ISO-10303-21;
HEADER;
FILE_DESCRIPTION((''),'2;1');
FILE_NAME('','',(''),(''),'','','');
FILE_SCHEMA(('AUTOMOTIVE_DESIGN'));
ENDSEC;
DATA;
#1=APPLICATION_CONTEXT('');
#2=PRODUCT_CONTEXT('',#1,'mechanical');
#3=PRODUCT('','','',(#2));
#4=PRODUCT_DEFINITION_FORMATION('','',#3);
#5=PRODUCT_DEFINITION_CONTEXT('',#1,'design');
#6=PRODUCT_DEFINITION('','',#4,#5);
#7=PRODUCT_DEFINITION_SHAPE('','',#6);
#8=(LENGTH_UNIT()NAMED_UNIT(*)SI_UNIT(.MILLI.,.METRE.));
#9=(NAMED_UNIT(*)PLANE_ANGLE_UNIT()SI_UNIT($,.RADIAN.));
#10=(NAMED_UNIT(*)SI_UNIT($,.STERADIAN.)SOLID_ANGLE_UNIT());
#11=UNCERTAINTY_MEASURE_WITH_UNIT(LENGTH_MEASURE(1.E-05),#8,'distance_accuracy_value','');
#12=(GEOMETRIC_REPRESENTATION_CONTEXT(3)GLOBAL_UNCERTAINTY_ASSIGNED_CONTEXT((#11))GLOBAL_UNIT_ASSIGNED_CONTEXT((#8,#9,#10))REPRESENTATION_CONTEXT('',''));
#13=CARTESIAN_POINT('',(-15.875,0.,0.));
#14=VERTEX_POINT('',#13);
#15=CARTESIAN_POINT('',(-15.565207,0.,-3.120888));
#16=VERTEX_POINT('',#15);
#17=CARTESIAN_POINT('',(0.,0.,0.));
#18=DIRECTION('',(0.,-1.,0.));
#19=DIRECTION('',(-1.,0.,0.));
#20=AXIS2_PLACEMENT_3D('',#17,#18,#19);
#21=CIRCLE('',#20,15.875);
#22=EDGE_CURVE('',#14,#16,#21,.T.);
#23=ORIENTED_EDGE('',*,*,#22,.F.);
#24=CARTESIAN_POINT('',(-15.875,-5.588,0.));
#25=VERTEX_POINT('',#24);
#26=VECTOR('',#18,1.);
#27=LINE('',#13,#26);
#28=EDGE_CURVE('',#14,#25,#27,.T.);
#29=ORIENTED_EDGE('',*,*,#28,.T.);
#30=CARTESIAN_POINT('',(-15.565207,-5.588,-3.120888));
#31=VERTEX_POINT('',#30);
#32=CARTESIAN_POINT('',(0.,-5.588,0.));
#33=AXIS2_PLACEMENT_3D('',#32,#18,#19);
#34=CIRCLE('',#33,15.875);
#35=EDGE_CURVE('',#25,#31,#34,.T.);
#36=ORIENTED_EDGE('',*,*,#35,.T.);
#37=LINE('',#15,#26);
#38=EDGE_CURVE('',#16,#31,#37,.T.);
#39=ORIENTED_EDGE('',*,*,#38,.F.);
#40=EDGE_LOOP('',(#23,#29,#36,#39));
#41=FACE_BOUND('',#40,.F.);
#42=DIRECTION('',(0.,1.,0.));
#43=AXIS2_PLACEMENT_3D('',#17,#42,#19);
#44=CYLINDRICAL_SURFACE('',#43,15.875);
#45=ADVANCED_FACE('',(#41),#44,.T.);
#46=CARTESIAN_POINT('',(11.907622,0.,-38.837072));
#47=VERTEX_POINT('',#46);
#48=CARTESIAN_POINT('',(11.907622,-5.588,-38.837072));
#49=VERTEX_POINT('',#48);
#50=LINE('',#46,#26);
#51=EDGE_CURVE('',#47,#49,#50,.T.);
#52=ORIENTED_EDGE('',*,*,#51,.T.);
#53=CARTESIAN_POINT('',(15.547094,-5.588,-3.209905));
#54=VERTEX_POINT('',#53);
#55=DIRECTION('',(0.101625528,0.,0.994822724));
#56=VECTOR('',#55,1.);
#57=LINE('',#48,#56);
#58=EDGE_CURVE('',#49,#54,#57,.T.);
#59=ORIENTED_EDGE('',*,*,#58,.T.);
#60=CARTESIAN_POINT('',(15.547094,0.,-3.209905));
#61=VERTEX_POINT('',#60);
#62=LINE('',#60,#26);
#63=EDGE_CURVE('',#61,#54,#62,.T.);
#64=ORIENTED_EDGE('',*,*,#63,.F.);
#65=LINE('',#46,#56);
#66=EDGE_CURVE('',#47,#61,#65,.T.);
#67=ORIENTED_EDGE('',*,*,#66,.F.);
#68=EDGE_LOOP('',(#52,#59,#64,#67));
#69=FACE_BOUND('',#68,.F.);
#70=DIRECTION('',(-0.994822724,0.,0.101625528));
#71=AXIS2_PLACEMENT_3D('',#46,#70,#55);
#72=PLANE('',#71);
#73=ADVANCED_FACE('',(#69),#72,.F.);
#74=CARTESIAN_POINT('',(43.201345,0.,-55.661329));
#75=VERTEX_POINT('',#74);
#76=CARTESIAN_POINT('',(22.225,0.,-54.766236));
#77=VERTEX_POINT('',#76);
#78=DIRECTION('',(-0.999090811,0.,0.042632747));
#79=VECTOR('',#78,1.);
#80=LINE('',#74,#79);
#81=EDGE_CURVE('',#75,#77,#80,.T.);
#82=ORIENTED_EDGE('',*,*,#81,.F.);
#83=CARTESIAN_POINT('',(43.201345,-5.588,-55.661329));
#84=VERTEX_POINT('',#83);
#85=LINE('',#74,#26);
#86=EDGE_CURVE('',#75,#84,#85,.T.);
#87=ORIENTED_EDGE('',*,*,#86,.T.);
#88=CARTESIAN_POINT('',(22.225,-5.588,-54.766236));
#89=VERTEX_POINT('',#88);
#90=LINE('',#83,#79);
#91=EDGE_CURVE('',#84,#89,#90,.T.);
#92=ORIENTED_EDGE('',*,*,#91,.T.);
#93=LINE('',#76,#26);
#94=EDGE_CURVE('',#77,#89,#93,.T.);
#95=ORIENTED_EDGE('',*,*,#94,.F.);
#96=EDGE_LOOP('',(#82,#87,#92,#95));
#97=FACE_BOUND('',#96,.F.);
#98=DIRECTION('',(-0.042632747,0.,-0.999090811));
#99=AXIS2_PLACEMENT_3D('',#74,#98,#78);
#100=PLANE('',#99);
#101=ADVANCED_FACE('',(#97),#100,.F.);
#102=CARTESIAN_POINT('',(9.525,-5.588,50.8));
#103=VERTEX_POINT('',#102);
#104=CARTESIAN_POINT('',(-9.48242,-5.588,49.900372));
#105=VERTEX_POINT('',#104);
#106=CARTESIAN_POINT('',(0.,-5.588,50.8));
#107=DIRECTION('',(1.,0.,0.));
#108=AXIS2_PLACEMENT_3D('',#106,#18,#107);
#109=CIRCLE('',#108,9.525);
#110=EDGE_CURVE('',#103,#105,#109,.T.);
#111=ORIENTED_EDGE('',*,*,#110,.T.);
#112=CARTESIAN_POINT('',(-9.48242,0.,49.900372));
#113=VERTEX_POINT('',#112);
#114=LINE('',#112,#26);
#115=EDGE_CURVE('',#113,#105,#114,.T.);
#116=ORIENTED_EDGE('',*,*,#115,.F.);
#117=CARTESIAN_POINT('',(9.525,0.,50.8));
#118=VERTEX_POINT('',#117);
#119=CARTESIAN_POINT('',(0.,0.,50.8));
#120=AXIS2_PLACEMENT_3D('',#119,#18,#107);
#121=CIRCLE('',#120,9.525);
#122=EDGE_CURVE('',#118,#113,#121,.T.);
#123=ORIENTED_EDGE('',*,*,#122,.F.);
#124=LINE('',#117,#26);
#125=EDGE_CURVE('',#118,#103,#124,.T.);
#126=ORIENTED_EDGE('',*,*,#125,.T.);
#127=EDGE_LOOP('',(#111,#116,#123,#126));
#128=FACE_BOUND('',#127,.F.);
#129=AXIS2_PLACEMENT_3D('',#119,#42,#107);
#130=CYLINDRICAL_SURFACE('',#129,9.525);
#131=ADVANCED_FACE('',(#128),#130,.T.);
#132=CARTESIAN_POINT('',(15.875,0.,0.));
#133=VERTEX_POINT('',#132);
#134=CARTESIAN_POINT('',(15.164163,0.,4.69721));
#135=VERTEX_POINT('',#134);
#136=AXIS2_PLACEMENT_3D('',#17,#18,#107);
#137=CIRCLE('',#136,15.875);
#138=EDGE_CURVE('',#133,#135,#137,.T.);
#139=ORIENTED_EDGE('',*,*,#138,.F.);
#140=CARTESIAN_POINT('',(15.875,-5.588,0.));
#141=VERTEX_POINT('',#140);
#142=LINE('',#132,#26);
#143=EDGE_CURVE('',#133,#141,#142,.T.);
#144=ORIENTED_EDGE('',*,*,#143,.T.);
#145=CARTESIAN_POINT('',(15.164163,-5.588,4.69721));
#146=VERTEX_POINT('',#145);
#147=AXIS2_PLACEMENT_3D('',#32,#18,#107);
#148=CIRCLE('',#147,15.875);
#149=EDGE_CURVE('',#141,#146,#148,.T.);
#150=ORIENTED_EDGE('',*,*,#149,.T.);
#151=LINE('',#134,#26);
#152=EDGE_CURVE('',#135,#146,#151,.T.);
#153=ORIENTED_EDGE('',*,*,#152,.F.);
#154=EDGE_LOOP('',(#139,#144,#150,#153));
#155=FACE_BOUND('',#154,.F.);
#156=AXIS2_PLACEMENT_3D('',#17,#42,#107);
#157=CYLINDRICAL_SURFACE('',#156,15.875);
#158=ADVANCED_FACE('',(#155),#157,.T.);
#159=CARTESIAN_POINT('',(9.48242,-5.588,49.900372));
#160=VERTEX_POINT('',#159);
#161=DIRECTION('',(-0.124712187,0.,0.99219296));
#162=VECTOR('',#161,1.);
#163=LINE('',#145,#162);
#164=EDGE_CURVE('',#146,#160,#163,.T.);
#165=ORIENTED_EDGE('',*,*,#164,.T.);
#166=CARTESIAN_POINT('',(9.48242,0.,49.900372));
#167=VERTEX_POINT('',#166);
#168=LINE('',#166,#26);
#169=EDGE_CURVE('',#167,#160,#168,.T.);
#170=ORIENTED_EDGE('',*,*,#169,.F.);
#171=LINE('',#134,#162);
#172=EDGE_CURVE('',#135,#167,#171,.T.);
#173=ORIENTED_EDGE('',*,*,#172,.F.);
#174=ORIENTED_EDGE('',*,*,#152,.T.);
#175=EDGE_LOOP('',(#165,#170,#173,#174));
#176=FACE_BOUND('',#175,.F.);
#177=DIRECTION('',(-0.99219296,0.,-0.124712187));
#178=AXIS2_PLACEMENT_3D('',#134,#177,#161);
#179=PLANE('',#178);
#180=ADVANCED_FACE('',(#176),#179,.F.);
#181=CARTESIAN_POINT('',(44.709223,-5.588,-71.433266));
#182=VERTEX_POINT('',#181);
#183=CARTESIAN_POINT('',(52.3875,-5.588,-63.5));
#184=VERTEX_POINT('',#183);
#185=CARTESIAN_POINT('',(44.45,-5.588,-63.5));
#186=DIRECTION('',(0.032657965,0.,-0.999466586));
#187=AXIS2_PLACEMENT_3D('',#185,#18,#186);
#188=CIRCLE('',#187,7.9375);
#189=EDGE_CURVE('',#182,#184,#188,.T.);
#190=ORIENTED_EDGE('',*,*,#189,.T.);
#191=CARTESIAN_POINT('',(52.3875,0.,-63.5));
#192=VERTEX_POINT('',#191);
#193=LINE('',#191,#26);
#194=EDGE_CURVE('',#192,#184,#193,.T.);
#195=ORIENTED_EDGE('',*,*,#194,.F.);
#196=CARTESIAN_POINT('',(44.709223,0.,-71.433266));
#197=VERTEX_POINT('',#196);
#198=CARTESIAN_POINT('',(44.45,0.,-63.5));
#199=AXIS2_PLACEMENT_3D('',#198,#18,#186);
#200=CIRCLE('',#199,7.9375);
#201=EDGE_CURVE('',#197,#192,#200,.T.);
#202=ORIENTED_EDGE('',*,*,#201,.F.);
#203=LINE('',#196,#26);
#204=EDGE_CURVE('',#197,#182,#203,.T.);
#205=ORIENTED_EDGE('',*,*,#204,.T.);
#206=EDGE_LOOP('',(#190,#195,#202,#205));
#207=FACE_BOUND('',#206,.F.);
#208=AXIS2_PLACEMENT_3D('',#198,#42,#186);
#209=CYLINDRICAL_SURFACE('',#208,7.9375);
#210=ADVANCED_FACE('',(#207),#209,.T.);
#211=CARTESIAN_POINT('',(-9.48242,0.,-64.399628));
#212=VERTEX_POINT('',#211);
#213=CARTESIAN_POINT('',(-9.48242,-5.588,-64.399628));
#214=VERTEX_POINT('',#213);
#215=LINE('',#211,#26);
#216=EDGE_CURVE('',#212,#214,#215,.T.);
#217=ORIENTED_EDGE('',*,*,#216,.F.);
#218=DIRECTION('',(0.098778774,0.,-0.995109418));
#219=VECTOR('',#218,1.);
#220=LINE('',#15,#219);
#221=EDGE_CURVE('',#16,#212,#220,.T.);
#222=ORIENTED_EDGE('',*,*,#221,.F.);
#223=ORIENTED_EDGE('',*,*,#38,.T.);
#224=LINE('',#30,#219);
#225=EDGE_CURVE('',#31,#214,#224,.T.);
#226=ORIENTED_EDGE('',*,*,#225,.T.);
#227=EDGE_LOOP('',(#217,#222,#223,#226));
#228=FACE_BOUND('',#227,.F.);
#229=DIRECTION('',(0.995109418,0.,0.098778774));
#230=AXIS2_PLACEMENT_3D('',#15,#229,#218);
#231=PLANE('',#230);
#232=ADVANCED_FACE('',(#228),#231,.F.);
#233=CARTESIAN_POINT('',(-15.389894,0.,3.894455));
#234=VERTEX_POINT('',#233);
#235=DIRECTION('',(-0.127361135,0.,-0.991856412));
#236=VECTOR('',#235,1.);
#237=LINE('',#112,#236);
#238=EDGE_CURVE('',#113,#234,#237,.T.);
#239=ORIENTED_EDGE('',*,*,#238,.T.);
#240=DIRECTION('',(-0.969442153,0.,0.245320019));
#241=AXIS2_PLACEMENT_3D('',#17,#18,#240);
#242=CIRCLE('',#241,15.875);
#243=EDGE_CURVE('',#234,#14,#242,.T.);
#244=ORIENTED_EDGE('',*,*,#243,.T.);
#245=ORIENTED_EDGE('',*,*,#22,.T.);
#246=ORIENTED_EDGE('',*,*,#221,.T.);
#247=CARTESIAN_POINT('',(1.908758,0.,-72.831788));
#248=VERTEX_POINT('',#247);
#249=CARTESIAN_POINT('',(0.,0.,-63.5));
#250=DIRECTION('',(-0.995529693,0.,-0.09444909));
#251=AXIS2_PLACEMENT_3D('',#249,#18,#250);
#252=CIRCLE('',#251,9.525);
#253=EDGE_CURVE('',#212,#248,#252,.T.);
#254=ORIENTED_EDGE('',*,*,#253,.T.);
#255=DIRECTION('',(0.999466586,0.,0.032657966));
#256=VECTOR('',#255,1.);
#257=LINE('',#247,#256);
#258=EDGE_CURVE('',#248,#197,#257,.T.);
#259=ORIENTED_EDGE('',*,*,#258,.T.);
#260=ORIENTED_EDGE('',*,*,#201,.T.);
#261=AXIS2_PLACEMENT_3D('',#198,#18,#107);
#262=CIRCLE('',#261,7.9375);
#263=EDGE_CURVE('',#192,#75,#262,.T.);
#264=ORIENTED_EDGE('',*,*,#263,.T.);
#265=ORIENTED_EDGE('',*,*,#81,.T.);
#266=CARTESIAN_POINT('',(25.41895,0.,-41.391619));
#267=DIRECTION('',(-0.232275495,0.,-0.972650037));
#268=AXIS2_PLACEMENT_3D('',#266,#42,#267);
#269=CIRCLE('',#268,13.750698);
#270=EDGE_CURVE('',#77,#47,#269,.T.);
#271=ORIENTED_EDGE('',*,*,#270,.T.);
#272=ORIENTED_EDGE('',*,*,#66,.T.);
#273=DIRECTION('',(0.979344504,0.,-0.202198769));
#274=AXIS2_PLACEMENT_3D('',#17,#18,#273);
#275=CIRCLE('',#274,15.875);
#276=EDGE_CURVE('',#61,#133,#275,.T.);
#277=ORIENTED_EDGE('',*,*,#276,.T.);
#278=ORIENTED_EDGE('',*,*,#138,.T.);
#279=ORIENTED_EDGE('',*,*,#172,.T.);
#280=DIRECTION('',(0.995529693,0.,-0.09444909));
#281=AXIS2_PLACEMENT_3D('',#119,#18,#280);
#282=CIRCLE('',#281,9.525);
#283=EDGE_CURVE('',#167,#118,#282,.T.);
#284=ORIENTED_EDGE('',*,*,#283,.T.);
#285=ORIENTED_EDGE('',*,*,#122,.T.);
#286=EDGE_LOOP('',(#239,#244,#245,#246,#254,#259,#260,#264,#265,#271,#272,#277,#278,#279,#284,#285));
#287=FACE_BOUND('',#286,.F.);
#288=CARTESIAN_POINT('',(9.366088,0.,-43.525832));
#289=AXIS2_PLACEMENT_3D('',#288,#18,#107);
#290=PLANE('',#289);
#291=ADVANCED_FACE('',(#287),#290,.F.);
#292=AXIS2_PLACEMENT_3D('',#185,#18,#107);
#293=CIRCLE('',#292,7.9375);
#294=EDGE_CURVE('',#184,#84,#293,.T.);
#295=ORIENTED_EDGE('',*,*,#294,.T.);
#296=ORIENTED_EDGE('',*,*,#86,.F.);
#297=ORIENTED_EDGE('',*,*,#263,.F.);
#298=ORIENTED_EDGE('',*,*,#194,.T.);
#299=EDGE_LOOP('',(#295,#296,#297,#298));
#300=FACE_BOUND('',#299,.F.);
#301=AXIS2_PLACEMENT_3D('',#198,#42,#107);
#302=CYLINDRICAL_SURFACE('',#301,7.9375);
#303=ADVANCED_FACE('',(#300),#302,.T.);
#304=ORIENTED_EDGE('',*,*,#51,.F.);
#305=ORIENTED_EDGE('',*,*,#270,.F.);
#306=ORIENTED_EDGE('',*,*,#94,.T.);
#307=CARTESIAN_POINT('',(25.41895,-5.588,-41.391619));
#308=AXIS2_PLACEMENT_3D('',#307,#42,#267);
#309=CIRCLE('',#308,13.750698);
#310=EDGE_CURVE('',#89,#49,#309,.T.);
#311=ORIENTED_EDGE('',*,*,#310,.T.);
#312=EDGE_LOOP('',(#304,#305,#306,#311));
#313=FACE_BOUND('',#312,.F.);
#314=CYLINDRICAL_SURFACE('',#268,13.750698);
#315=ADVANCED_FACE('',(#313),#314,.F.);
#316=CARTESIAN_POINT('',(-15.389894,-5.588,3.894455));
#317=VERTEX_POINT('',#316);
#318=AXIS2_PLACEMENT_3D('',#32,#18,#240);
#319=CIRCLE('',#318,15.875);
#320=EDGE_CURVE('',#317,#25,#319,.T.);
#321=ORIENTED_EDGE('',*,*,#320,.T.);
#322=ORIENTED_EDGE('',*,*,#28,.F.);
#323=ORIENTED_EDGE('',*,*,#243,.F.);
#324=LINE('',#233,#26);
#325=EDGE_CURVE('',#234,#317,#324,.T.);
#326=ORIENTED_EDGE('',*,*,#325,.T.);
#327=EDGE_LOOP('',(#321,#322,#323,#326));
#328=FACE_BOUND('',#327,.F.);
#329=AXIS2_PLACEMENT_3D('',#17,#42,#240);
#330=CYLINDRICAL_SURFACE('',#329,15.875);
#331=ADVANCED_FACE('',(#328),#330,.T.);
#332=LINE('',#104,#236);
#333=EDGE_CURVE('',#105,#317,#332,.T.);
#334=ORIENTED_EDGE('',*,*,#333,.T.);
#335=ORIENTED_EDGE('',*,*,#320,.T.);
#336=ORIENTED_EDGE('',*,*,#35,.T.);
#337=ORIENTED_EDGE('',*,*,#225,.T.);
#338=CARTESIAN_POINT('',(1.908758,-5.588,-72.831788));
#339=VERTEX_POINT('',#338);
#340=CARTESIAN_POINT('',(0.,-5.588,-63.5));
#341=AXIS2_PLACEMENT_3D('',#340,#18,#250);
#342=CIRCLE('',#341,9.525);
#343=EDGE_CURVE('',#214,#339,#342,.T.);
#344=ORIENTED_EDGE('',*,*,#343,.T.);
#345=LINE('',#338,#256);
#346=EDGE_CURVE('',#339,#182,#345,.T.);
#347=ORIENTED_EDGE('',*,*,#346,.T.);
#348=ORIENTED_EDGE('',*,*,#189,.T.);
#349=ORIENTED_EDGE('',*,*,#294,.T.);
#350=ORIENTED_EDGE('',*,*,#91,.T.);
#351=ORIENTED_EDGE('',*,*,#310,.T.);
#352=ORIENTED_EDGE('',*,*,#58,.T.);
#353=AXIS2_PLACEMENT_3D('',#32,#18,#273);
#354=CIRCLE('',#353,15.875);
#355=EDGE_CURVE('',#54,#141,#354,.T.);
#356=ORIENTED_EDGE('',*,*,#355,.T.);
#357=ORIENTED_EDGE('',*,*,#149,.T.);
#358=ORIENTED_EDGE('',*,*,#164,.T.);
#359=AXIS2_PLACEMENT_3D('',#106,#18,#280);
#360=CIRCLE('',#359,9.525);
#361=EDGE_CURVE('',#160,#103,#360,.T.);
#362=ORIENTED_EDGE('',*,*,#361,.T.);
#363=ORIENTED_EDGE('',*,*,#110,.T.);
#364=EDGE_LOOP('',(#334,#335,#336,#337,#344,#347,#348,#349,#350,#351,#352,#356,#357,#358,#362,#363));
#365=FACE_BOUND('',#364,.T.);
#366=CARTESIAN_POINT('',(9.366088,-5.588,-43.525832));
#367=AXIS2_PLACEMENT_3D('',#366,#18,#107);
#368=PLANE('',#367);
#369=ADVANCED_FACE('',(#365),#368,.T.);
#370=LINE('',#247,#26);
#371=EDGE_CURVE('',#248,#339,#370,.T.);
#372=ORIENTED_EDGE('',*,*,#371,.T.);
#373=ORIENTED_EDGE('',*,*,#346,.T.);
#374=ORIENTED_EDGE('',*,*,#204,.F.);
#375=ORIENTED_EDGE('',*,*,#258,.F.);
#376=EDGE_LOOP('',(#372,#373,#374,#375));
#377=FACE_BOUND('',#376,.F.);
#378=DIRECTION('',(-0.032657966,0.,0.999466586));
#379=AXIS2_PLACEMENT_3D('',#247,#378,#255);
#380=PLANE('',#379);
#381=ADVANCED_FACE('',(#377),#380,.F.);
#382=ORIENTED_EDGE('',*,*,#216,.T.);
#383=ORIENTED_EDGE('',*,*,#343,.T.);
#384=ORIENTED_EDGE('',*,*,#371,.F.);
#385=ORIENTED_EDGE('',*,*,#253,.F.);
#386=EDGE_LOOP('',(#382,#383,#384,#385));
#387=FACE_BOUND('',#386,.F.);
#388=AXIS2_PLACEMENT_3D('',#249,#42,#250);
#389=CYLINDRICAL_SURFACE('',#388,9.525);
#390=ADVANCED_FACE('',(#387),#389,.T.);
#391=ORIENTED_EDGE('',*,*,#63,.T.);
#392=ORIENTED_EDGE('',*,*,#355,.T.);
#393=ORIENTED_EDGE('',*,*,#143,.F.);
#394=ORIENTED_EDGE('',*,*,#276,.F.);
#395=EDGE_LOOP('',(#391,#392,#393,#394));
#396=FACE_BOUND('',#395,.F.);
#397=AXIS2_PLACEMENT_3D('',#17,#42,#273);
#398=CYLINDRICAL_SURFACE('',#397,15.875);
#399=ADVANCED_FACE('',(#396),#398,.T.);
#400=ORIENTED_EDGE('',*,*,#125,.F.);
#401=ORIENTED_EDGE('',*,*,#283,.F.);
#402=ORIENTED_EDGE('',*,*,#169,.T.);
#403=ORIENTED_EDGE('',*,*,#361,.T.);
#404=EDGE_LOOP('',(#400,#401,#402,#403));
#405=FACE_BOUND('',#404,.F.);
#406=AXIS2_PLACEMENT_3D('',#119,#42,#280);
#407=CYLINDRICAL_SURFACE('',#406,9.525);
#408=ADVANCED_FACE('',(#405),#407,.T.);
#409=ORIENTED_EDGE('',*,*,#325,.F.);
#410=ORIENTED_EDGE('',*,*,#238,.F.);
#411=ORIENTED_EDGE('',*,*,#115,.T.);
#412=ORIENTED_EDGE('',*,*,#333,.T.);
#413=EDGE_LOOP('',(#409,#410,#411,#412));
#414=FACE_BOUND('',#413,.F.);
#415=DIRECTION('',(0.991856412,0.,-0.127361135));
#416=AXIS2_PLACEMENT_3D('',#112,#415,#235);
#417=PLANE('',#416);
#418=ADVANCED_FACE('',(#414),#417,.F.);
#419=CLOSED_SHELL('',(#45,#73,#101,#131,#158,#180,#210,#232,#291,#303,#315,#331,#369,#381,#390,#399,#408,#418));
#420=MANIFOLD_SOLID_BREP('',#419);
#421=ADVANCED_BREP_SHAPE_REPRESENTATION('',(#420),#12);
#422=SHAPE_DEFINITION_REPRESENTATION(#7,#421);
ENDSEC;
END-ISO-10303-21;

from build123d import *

# Parameters (mm, degrees)
F0_R     = 3.175
F0_R_2   = 1.5875
F1_DEPTH = 5.588


with BuildPart() as f1:
    # F0 (on Front) → F1 (new body)
    with BuildSketch(Plane.XZ):
        with BuildLine():
            ThreePointArc((15.547094004, -3.2099054549), (-0.0454207738, -15.874935022), (-15.5652074351, -3.1208880949))
            Line((-15.5652074351, -3.1208880949), (-9.4824203242, -64.3996275867))
            ThreePointArc((-9.4824203242, -64.3996275867), (-0.4503173391, -53.9856508739), (9.525, -63.5))
            ThreePointArc((9.525, -63.5), (7.3792459071, -69.5226534719), (1.9087575134, -72.8317881328))
            Line((1.9087575134, -72.8317881328), (44.7092226012, -71.4332660294))
            ThreePointArc((44.7092226012, -71.4332660294), (36.5485288978, -64.2554208568), (43.2013451148, -55.6613287333))
            Line((43.2013451148, -55.6613287333), (22.225, -54.7662357154))
            ThreePointArc((22.225, -54.7662357154), (13.8776701671, -48.8669484195), (11.907621819, -38.8370722765))
            Line((11.907621819, -38.8370722765), (15.547094004, -3.2099054549))
        make_face()
        with BuildLine():
            ThreePointArc((15.1641631674, 4.6972098561), (-0.4169440477, 15.8695237062), (-15.3898941796, 3.8944553072))
            ThreePointArc((-15.3898941796, 3.8944553072), (-15.7532567284, 1.9622760889), (-15.875, 0))
            Line((-15.875, 0), (-15.5652074351, -3.1208880949))
            ThreePointArc((-15.5652074351, -3.1208880949), (-0.0454207738, -15.874935022), (15.547094004, -3.2099054549))
            Line((15.547094004, -3.2099054549), (15.875, 0))
            ThreePointArc((15.875, 0), (15.6962848356, 2.3753457345), (15.1641631674, 4.6972098561))
        make_face()
        with Locations((-9.429e-07, -0.0182211279)):
            Circle(F0_R, mode=Mode.SUBTRACT)
        with BuildLine():
            ThreePointArc((9.4824203242, 49.9003724133), (0, 41.275), (-9.4824203242, 49.9003724133))
            Line((-9.4824203242, 49.9003724133), (-15.3898941796, 3.8944553072))
            ThreePointArc((-15.3898941796, 3.8944553072), (-0.4169440477, 15.8695237062), (15.1641631674, 4.6972098561))
            Line((15.1641631674, 4.6972098561), (9.4824203242, 49.9003724133))
        make_face()
        with Locations((-4.310302902, 36.5252)):
            Circle(F0_R_2, mode=Mode.SUBTRACT)
        with BuildLine():
            ThreePointArc((9.525, -63.5), (-0.4503173391, -53.9856508739), (-9.4824203242, -64.3996275867))
            ThreePointArc((-9.4824203242, -64.3996275867), (-5.6670472877, -71.1557298828), (1.9087575134, -72.8317881328))
            ThreePointArc((1.9087575134, -72.8317881328), (7.3792459071, -69.5226534719), (9.525, -63.5))
        make_face()
        with Locations((-0.270415243, -63.8360157609)):
            Circle(F0_R, mode=Mode.SUBTRACT)
        with BuildLine():
            ThreePointArc((9.4824203242, 49.9003724133), (9.5143491261, 50.3496826609), (9.525, 50.8))
            ThreePointArc((9.525, 50.8), (-0.4503173391, 60.3143491261), (-9.4824203242, 49.9003724133))
            ThreePointArc((-9.4824203242, 49.9003724133), (0, 41.275), (9.4824203242, 49.9003724133))
        make_face()
        with Locations((0, 50.8)):
            Circle(F0_R, mode=Mode.SUBTRACT)
        with BuildLine():
            ThreePointArc((43.2013451148, -55.6613287333), (36.5485288978, -64.2554208568), (44.7092226012, -71.4332660294))
            ThreePointArc((44.7092226012, -71.4332660294), (50.1535728122, -69.0202503047), (52.3875, -63.5))
            ThreePointArc((52.3875, -63.5), (49.6023154066, -57.46199104), (43.2013451148, -55.6613287333))
        make_face()
        with Locations((44.3479567766, -64.1064271331)):
            Circle(F0_R, mode=Mode.SUBTRACT)
        with Locations((-0.270415243, -63.8360157609)):
            Circle(F0_R)
        with Locations((0, 50.8)):
            Circle(F0_R)
        with Locations((-9.429e-07, -0.0182211279)):
            Circle(F0_R)
        with Locations((44.3479567766, -64.1064271331)):
            Circle(F0_R)
        with Locations((-4.310302902, 36.5252)):
            Circle(F0_R_2)
        with BuildLine():
            ThreePointArc((15.547094004, -3.2099054549), (15.7928107428, -1.6133052541), (15.875, 0))
            Line((15.875, 0), (15.547094004, -3.2099054549))
        make_face()
        with BuildLine():
            Line((-15.5652074351, -3.1208880949), (-15.875, 0))
            ThreePointArc((-15.875, 0), (-15.7973620113, -1.5681130328), (-15.5652074351, -3.1208880949))
        make_face()
    extrude(amount=F1_DEPTH)


solid = f1.part
